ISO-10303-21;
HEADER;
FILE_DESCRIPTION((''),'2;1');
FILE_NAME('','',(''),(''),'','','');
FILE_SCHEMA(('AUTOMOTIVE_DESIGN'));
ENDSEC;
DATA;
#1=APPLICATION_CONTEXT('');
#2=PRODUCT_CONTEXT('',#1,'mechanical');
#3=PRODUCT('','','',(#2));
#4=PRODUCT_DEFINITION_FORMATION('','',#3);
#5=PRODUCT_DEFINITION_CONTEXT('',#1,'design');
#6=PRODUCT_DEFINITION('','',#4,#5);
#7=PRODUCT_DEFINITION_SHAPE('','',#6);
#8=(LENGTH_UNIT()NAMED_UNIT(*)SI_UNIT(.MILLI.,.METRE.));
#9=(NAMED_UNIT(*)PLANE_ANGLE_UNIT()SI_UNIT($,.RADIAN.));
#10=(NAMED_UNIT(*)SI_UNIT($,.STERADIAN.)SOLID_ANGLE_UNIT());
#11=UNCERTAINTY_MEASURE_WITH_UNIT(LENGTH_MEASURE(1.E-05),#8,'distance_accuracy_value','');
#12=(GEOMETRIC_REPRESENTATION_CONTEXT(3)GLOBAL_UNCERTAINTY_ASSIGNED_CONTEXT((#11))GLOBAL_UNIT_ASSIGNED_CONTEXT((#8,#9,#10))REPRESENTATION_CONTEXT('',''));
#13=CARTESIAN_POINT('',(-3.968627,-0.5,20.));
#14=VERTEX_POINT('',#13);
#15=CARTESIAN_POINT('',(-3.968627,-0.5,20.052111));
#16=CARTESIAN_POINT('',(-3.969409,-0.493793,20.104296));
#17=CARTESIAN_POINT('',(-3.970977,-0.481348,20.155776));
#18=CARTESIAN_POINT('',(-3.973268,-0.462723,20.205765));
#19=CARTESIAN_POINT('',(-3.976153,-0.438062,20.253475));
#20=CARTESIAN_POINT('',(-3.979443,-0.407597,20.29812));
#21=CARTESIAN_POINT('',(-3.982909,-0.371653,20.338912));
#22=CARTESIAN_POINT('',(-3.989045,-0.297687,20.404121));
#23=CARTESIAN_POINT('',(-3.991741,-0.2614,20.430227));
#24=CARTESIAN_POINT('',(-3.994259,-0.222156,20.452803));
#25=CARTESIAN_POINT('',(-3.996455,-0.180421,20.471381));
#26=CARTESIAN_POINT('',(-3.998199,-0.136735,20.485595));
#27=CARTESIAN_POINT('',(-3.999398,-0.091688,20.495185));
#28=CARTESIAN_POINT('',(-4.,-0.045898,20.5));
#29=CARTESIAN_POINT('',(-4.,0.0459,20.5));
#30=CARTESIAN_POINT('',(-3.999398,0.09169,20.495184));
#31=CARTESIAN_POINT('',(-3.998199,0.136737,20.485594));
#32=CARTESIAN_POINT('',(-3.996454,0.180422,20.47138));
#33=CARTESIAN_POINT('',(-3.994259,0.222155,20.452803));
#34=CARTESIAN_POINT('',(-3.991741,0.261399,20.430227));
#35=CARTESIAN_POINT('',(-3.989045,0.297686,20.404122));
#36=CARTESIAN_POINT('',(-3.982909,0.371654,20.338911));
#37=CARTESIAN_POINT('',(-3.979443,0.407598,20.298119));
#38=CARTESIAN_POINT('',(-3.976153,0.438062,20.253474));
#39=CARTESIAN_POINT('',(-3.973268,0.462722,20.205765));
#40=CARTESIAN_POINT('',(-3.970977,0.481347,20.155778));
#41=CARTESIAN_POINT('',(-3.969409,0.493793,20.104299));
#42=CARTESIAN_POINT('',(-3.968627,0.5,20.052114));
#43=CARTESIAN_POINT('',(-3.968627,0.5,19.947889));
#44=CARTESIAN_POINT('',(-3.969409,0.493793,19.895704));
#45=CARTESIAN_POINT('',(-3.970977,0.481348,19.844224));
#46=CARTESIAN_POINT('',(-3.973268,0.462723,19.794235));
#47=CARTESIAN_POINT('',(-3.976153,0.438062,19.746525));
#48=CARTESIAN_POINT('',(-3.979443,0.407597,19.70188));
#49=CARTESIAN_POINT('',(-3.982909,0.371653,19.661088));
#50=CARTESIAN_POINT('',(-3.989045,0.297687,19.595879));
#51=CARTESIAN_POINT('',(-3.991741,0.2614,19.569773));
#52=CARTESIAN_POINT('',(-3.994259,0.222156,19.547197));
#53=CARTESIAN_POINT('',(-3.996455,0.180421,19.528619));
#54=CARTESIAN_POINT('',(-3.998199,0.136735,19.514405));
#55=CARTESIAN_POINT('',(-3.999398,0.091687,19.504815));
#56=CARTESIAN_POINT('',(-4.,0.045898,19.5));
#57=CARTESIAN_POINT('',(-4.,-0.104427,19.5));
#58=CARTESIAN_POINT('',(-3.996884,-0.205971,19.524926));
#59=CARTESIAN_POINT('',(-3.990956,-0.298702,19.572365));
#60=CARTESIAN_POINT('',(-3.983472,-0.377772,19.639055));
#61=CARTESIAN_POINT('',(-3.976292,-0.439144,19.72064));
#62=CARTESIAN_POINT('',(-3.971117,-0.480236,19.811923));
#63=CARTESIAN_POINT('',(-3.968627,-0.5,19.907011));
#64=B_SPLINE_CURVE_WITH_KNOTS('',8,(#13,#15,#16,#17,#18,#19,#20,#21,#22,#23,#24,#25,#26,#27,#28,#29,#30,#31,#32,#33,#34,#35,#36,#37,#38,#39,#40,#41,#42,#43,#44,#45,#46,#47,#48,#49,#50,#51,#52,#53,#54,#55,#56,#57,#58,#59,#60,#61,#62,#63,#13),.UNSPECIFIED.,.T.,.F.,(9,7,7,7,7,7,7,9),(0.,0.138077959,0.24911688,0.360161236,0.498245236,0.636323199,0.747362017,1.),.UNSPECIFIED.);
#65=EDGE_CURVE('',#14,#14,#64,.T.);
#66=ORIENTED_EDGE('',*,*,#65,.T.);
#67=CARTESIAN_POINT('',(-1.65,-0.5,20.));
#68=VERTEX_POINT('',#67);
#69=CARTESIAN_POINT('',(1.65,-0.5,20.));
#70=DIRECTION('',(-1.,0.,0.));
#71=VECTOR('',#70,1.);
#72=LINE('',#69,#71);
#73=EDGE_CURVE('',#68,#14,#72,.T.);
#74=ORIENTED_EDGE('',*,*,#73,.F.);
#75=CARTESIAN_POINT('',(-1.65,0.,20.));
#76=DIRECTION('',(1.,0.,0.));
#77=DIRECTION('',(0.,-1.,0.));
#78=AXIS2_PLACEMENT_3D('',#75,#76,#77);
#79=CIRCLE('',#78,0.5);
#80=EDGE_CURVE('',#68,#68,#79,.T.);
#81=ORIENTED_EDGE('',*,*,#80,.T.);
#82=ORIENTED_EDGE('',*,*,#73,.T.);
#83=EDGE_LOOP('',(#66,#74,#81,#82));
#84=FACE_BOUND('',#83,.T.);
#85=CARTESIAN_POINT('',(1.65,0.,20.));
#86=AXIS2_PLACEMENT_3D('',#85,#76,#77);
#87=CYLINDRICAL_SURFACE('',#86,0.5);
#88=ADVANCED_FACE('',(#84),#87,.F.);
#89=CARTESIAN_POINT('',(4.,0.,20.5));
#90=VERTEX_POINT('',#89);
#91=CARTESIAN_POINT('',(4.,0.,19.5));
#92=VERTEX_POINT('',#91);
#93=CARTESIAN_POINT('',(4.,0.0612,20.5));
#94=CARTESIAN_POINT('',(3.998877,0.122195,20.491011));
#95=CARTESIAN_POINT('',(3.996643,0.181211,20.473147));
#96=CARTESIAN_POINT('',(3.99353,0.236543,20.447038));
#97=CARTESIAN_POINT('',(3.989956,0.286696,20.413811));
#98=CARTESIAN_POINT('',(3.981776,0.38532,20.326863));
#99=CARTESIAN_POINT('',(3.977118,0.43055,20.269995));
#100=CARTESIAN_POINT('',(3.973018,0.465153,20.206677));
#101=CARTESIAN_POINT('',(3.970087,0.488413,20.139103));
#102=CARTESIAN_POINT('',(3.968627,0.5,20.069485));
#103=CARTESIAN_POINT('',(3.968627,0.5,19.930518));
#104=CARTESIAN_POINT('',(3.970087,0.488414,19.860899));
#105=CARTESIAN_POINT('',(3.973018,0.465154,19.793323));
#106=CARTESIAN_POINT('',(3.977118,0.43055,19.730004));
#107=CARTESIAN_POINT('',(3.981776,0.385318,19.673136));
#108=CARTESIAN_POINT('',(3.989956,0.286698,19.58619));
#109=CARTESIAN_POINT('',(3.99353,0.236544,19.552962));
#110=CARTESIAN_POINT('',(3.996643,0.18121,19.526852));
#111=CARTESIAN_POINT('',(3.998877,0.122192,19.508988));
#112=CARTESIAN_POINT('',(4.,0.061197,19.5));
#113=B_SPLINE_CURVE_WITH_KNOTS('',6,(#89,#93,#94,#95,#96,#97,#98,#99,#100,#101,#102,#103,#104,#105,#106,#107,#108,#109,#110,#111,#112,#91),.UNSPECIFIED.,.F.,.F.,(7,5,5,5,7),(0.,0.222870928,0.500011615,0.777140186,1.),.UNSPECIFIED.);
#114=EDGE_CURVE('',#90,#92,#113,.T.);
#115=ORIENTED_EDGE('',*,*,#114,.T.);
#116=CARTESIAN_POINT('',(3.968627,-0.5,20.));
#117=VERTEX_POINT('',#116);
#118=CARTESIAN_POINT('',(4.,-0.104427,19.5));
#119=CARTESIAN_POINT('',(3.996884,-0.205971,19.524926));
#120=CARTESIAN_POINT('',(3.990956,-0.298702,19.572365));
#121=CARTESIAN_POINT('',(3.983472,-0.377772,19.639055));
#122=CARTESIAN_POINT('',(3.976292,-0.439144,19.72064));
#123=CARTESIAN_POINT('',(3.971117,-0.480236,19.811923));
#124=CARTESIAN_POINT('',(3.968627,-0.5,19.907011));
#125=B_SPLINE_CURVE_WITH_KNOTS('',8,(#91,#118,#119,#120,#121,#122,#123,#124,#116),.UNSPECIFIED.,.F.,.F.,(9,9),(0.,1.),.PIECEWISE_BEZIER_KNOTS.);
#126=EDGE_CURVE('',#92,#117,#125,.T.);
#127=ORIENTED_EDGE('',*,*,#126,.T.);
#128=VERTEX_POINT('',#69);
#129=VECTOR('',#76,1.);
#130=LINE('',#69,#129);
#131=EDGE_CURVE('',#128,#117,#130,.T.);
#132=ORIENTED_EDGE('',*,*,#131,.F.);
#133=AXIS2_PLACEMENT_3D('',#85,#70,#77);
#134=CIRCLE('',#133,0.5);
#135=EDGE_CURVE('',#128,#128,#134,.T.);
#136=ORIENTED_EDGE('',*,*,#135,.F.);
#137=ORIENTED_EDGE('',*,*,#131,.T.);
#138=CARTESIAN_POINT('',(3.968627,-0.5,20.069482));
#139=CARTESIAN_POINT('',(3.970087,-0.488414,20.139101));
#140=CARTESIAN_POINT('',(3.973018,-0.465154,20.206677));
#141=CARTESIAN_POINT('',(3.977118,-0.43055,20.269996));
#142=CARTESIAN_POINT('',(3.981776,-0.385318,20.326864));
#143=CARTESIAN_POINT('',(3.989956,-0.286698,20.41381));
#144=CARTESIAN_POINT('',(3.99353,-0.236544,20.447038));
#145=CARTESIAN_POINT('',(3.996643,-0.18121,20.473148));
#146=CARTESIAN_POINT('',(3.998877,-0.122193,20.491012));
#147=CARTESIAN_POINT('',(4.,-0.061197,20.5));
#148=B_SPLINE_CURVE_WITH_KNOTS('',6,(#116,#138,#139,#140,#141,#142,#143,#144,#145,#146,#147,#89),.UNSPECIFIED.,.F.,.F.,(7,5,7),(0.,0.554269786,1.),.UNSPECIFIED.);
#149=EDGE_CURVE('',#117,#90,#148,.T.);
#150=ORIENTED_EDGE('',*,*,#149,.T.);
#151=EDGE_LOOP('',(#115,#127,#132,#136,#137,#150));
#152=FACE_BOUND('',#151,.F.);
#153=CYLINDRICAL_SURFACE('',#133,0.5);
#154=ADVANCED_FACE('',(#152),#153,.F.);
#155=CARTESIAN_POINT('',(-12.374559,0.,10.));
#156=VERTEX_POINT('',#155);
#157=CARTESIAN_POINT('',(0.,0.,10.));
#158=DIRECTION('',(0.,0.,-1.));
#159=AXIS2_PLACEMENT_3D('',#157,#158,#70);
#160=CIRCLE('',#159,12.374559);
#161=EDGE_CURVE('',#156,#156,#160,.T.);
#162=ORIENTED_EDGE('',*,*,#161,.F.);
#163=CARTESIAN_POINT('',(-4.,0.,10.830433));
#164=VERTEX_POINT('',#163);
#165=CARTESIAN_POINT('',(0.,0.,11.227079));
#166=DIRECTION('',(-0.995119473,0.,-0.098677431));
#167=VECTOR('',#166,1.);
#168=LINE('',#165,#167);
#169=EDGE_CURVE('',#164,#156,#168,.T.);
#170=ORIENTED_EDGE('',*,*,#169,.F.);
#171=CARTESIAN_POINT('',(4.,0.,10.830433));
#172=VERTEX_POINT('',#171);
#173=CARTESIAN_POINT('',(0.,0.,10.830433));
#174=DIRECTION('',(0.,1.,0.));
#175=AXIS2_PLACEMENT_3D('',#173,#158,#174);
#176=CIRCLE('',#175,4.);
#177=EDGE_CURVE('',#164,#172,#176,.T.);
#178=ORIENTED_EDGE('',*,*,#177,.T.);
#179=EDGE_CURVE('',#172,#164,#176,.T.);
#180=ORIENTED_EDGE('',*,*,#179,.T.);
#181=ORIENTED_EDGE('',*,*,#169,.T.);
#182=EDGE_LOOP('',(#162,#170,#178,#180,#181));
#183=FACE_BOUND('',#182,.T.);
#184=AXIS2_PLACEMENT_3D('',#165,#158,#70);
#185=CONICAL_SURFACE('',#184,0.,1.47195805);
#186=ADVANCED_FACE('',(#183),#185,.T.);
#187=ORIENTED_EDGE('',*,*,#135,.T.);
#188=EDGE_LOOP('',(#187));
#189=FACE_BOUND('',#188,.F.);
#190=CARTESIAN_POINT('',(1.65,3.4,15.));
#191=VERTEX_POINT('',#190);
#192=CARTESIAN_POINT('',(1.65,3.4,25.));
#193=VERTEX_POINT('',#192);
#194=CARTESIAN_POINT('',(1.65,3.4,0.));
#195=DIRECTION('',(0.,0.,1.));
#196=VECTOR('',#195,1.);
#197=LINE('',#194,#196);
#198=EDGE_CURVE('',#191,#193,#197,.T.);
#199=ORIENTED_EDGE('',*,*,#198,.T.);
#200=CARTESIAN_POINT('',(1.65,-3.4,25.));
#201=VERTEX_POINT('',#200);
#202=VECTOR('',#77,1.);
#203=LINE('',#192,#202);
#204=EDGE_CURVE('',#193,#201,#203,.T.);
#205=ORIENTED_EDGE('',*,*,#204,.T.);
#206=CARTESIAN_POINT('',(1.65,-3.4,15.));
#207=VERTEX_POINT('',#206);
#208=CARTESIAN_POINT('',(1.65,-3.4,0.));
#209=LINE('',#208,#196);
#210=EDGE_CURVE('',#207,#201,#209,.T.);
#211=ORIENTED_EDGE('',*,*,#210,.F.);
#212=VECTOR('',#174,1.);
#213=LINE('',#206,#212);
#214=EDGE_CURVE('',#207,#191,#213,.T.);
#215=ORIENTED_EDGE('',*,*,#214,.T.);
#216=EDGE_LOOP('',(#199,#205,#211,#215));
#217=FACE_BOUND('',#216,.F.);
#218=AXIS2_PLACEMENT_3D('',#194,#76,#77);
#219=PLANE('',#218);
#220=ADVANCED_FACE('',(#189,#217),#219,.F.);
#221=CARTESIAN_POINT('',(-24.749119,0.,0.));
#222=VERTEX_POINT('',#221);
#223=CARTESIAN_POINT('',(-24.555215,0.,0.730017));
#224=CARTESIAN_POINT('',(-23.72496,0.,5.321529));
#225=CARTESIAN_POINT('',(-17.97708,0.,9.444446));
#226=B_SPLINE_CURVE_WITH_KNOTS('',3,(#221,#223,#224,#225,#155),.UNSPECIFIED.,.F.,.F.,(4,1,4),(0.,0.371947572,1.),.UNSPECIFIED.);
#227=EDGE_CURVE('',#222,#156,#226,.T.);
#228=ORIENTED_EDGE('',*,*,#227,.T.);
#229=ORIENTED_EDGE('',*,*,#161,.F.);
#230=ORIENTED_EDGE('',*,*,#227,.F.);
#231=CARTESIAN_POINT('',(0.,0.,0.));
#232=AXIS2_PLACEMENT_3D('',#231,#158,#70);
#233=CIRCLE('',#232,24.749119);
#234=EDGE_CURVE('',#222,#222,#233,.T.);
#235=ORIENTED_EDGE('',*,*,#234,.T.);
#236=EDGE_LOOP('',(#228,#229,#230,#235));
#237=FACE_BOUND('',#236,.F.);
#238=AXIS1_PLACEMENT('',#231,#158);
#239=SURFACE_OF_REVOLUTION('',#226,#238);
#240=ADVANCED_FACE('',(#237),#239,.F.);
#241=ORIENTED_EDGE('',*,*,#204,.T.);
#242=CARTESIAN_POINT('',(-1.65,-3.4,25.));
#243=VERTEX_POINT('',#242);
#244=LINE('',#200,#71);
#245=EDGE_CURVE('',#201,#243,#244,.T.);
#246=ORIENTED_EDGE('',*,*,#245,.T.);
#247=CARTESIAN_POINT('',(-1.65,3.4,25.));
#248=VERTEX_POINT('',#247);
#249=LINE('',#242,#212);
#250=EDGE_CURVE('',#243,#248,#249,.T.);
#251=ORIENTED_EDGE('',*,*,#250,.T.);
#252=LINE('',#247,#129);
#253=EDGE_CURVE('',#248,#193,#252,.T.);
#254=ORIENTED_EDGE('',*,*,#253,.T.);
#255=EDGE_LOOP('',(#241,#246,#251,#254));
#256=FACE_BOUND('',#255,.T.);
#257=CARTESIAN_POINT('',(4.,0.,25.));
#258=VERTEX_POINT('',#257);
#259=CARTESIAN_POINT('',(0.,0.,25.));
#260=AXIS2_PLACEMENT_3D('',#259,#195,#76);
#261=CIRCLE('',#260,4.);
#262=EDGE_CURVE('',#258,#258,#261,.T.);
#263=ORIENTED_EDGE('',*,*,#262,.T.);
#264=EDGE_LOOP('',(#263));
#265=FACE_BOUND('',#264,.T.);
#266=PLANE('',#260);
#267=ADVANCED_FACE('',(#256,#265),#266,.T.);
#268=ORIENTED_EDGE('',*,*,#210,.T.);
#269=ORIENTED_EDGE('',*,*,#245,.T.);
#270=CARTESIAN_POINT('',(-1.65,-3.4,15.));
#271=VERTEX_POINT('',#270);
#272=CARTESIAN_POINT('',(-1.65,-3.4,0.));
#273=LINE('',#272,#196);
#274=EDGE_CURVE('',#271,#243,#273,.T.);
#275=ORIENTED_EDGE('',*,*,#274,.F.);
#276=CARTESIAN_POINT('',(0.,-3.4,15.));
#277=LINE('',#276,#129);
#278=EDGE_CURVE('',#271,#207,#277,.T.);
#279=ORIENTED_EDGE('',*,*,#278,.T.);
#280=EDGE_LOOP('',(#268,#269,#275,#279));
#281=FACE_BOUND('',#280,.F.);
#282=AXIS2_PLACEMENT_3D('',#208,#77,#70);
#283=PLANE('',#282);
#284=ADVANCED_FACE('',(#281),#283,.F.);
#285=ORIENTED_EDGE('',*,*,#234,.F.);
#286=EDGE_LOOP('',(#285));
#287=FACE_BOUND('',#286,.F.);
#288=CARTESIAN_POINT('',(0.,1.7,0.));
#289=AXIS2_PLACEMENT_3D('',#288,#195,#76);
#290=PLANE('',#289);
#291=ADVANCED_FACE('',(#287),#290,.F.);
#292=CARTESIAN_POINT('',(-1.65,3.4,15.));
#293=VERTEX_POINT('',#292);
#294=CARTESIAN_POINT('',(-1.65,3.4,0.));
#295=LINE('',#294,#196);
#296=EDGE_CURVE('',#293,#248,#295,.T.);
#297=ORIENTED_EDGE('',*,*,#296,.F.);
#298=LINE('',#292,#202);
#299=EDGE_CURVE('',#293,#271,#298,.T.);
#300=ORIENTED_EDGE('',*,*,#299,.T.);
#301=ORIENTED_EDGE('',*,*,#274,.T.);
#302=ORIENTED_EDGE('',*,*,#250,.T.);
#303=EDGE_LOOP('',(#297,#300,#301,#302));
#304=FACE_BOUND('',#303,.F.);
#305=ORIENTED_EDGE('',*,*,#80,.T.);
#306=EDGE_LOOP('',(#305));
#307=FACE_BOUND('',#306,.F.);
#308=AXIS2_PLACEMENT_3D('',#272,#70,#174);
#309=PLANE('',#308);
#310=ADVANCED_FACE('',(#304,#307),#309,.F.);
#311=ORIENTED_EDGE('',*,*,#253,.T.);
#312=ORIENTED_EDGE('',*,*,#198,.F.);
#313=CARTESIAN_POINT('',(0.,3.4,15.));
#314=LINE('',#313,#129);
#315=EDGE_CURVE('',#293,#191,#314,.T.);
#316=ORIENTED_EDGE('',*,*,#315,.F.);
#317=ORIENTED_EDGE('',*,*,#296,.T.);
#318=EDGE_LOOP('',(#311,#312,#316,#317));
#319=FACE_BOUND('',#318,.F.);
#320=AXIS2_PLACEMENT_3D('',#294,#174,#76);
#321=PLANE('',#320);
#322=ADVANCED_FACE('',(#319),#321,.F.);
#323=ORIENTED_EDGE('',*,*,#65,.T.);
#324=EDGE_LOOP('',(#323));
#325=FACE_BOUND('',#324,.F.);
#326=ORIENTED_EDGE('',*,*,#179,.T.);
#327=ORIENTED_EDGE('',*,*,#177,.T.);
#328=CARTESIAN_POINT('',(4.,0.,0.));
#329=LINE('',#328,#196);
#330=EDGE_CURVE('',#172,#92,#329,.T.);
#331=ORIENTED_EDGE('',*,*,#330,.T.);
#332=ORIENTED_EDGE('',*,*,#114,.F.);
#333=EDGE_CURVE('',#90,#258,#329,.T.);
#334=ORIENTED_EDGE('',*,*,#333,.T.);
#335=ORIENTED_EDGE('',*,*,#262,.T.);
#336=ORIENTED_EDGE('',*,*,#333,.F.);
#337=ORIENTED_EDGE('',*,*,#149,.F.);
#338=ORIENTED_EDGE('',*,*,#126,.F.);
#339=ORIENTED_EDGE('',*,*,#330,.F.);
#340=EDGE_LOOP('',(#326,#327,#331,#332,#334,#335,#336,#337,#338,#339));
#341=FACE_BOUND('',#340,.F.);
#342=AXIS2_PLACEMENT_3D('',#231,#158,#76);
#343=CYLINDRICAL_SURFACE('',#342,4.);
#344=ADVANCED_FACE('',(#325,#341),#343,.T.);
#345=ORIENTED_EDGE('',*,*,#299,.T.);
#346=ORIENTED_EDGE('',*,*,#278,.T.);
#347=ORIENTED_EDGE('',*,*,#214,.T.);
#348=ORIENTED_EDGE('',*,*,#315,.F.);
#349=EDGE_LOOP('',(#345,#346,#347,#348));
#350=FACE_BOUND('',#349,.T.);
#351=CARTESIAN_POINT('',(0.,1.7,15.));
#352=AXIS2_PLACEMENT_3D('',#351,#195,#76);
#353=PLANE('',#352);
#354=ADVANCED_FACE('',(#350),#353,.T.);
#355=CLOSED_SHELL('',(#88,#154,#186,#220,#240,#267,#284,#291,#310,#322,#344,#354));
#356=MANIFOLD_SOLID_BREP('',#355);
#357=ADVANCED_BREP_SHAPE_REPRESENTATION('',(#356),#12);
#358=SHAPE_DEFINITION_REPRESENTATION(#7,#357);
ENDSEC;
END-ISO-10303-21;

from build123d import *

# Parameters (mm, degrees)
F0_R          = 4
F1_DEPTH      = 25
F0_W          = 3.3
F0_H          = 3.4
F4_DEPTH      = 15
F5_R          = 0.5
F6_DEPTH      = 26.4001190755
F6_DEPTH_BACK = 25


with BuildPart() as f1:
    # F0 (on Top) → F1 (new body)
    with BuildSketch(Plane.XY):
        Circle(F0_R)
        Polygon((-1.65, 3.4), (1.65, 3.4), (1.65, 0), (1.65, -3.4), (-1.65, -3.4), (-1.65, 0), align=None, mode=Mode.SUBTRACT)
    extrude(amount=F1_DEPTH)

    # F2 (on Front) → F3 (revolve)
    with BuildSketch(Plane.XZ):
        with BuildLine():
            Line((-24.7491189755, 0), (0, 0))
            Line((0, 0), (0, 10))
            Line((0, 10), (0, 11.2270785248))
            Line((0, 11.2270785248), (-12.3745594877, 10))
            add(Edge.make_bspline(
                [(-24.7491189755, 0), (-24.5552147878, 0.7300171854), (-23.7249598085, 5.3215287656), (-17.9770797483, 9.444446301), (-12.3745594877, 10)],
                knots=[0, 0, 0, 0, 0.3719475725, 1, 1, 1, 1], degree=3))
        make_face()
    revolve(axis=Axis((0, 0, 0), (0, 0, -1)))

    # F0 (on Top) → F4 (join)
    with BuildSketch(Plane.XY):
        with Locations((0, 1.7)):
            Rectangle(F0_W, F0_H)
        with Locations((0, -1.7)):
            Rectangle(F0_W, F0_H)
    extrude(amount=F4_DEPTH)

    # F5 (on face) → F6 (cut, two sides)
    with BuildSketch(Plane(origin=(1.65, 0, 0), x_dir=(0, -1, 0), z_dir=(-1, 0, 0))) as f6_sk:
        with Locations((0, 20)):
            Circle(F5_R)
    extrude(amount=F6_DEPTH, mode=Mode.SUBTRACT)
    extrude(f6_sk.sketch, amount=-F6_DEPTH_BACK, mode=Mode.SUBTRACT)


solid = f1.part
